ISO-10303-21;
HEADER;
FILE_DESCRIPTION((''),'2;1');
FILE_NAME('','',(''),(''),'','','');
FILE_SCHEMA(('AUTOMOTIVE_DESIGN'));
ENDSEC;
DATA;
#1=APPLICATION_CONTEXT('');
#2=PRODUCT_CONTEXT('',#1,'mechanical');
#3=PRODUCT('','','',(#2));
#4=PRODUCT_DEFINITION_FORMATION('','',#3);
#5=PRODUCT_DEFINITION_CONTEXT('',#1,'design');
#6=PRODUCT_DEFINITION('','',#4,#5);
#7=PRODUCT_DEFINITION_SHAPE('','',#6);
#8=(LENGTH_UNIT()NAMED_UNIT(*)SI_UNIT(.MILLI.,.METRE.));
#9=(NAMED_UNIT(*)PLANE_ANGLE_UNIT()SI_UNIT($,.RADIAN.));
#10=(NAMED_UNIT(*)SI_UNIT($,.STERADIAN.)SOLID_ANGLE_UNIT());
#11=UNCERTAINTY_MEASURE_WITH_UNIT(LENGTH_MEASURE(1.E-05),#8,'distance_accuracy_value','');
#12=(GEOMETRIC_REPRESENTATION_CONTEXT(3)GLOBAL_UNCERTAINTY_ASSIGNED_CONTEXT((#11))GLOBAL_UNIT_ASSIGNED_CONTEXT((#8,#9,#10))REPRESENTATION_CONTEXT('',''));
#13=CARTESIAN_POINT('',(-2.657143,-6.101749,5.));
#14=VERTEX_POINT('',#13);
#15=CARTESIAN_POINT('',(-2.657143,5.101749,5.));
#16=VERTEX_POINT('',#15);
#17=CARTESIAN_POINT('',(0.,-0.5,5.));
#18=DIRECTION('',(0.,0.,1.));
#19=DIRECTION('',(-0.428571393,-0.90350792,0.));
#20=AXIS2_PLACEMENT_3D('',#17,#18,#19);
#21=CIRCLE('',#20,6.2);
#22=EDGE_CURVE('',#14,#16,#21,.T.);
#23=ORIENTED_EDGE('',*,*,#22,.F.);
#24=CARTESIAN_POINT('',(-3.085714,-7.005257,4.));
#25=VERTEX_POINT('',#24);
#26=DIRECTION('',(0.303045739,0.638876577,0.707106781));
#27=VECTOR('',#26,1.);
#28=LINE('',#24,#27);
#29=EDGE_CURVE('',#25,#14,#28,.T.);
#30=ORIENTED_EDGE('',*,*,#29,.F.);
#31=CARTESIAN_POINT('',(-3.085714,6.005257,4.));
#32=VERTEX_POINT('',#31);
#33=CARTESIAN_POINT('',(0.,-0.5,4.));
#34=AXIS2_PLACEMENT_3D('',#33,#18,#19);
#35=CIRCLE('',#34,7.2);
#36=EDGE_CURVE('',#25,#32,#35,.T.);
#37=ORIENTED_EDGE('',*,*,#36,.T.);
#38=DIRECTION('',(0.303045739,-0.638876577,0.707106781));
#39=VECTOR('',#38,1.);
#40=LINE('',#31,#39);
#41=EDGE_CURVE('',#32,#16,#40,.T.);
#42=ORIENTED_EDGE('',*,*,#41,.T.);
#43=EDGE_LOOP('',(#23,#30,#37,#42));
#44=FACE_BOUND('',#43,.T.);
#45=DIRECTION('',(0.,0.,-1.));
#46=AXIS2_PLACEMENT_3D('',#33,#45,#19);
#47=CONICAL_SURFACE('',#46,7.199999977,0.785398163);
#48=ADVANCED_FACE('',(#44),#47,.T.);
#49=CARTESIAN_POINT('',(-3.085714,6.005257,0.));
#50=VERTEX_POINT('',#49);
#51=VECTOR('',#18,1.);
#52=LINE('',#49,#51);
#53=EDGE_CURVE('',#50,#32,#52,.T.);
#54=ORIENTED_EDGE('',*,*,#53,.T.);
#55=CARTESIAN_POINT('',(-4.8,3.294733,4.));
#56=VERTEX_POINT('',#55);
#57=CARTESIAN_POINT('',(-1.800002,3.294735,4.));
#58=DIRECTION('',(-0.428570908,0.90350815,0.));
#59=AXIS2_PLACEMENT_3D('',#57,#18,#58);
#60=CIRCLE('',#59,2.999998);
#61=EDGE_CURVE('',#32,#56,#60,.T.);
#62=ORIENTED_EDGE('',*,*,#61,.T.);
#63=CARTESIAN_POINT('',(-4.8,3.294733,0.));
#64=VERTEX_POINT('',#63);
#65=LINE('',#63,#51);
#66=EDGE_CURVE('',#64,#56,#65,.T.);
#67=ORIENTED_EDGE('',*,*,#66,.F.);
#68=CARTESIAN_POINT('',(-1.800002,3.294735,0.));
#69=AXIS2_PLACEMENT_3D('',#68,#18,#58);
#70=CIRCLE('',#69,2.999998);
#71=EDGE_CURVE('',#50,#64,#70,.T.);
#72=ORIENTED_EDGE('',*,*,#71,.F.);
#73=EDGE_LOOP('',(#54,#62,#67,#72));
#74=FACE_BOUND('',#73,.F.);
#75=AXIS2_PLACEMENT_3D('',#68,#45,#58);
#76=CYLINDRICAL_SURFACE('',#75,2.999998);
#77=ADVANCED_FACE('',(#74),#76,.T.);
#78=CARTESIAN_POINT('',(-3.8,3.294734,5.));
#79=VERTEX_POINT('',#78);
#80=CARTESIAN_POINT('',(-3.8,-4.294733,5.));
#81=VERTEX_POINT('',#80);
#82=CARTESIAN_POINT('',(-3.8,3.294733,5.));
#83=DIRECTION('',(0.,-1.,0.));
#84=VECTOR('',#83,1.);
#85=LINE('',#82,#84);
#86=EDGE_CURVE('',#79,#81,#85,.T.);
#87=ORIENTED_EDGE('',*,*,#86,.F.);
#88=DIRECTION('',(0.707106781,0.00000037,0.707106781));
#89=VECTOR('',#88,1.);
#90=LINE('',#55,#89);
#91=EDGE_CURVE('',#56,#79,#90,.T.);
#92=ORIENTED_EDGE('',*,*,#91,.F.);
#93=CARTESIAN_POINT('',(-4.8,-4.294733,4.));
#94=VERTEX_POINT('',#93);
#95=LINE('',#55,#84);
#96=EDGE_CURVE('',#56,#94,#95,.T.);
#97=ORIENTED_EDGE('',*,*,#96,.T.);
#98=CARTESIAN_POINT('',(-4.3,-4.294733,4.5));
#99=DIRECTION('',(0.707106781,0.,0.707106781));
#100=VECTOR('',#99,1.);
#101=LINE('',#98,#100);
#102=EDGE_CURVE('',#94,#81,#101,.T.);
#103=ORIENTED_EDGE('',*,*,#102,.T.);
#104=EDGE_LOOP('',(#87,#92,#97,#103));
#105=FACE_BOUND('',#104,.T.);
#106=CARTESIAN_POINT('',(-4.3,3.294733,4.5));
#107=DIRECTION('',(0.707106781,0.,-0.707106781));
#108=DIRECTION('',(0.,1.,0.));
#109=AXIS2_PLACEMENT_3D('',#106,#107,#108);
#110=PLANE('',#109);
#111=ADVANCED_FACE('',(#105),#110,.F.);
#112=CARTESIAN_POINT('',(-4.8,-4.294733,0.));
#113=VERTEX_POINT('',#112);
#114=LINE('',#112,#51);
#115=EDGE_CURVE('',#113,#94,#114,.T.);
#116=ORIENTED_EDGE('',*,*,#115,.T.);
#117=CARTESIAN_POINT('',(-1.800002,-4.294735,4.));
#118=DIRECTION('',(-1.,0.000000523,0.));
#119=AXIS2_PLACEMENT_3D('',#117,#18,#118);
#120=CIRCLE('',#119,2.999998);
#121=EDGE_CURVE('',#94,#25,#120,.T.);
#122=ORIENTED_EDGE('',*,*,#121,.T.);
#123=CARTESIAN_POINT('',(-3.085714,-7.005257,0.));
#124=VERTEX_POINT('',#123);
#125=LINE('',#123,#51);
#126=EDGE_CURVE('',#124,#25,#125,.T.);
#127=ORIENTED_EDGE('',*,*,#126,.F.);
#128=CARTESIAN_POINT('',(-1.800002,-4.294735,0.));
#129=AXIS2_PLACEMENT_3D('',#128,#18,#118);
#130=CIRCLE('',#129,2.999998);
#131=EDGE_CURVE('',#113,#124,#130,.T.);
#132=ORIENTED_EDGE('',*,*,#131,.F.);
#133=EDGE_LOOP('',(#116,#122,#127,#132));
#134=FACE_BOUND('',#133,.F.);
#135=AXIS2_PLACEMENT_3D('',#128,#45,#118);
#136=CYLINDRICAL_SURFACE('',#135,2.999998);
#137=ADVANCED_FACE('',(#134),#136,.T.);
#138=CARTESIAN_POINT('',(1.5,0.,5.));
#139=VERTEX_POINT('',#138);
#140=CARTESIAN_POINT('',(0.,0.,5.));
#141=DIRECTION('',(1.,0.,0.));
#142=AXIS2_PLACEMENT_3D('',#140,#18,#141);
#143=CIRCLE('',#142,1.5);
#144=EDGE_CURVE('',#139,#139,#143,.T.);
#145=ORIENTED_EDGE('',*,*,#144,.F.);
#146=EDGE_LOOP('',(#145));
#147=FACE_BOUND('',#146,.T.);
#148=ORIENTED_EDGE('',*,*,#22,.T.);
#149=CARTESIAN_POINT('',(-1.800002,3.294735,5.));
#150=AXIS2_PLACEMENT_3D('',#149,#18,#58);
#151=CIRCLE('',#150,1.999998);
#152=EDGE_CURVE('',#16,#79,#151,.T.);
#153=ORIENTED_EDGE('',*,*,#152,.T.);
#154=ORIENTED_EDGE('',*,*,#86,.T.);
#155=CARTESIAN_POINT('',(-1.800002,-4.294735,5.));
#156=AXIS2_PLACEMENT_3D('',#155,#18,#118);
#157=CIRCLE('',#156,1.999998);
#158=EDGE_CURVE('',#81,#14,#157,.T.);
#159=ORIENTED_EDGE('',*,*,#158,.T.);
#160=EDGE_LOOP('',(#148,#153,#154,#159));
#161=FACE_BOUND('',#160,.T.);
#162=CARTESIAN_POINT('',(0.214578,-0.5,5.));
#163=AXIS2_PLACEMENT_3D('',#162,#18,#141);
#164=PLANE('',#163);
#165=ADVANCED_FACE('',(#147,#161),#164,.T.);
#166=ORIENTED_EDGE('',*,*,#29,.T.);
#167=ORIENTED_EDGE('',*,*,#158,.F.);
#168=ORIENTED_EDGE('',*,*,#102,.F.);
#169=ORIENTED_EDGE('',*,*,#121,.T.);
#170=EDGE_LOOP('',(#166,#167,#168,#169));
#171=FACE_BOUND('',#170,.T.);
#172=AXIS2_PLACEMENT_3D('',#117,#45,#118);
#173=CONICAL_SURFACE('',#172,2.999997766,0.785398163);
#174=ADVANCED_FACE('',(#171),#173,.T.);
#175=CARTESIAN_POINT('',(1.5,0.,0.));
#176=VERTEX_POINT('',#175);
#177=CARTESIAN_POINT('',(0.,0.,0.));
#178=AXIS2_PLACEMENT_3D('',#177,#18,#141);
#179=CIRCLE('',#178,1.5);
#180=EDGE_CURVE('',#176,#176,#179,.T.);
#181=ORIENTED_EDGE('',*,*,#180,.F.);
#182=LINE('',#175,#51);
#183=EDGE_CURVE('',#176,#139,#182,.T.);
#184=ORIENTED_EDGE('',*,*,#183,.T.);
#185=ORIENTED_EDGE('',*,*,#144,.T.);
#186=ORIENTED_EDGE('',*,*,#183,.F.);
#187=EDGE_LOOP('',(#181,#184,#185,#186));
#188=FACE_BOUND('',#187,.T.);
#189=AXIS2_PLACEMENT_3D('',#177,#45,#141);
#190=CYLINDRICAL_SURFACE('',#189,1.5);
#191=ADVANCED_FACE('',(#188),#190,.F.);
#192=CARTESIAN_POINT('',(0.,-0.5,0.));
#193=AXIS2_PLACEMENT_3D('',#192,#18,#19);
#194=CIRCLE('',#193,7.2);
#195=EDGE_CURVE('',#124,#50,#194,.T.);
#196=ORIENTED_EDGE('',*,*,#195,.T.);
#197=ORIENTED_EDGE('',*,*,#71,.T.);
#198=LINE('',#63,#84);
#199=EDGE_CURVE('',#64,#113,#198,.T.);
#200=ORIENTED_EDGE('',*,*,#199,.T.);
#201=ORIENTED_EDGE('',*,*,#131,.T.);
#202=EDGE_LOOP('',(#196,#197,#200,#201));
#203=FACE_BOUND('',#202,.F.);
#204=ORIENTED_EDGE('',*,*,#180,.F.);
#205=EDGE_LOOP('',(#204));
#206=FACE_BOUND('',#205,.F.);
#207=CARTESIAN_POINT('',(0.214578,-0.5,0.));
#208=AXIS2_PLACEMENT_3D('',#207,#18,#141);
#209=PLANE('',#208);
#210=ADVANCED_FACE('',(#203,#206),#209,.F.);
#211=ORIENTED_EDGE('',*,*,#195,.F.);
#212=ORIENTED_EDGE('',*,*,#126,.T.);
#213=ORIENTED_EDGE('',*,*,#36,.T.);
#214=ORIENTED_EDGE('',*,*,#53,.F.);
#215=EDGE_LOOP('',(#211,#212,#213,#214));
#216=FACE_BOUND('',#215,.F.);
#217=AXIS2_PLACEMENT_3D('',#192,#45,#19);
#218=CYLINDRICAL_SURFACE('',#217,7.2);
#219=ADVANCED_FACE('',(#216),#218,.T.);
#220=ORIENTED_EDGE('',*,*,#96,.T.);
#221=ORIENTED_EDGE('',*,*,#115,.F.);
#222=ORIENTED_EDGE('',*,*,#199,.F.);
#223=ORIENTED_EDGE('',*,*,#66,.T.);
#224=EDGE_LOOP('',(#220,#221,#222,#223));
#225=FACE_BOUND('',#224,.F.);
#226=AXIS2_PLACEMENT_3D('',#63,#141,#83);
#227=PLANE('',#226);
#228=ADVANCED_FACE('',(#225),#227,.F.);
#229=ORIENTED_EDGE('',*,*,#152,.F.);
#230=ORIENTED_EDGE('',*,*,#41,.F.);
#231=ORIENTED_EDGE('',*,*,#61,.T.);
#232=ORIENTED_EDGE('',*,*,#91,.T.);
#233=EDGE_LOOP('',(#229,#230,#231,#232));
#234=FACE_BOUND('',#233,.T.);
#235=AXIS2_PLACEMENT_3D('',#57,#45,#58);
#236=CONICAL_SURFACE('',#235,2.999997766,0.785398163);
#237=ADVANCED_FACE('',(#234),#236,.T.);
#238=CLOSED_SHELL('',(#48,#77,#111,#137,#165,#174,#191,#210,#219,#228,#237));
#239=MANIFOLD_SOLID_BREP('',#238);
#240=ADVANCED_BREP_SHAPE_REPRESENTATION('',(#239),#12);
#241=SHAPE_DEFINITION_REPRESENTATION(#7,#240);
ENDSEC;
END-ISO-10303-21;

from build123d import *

# Parameters (mm, degrees)
F0_R     = 1.5
F1_DEPTH = 5
F2_SIZE  = 1


with BuildPart() as f1:
    # F0 (on Top) → F1 (new body)
    with BuildSketch(Plane.XY):
        with BuildLine():
            ThreePointArc((-4.8, -4.294733), (-4.335463, -5.898301), (-3.085714, -7.005257))
            ThreePointArc((-3.085714, -7.005257), (7.2, -0.5), (-3.085714, 6.005257))
            ThreePointArc((-3.085714, 6.005257), (-4.335463, 4.898301), (-4.8, 3.294733))
            Line((-4.8, 3.294733), (-4.8, -4.294733))
        make_face()
        Circle(F0_R, mode=Mode.SUBTRACT)
    extrude(amount=F1_DEPTH)

    # F2
    f2_edges = [f1.edges().sort_by_distance(p)[0] for p in [
        (7.2, -0.5, 5),
    ]]
    chamfer(f2_edges, length=F2_SIZE)


solid = f1.part
